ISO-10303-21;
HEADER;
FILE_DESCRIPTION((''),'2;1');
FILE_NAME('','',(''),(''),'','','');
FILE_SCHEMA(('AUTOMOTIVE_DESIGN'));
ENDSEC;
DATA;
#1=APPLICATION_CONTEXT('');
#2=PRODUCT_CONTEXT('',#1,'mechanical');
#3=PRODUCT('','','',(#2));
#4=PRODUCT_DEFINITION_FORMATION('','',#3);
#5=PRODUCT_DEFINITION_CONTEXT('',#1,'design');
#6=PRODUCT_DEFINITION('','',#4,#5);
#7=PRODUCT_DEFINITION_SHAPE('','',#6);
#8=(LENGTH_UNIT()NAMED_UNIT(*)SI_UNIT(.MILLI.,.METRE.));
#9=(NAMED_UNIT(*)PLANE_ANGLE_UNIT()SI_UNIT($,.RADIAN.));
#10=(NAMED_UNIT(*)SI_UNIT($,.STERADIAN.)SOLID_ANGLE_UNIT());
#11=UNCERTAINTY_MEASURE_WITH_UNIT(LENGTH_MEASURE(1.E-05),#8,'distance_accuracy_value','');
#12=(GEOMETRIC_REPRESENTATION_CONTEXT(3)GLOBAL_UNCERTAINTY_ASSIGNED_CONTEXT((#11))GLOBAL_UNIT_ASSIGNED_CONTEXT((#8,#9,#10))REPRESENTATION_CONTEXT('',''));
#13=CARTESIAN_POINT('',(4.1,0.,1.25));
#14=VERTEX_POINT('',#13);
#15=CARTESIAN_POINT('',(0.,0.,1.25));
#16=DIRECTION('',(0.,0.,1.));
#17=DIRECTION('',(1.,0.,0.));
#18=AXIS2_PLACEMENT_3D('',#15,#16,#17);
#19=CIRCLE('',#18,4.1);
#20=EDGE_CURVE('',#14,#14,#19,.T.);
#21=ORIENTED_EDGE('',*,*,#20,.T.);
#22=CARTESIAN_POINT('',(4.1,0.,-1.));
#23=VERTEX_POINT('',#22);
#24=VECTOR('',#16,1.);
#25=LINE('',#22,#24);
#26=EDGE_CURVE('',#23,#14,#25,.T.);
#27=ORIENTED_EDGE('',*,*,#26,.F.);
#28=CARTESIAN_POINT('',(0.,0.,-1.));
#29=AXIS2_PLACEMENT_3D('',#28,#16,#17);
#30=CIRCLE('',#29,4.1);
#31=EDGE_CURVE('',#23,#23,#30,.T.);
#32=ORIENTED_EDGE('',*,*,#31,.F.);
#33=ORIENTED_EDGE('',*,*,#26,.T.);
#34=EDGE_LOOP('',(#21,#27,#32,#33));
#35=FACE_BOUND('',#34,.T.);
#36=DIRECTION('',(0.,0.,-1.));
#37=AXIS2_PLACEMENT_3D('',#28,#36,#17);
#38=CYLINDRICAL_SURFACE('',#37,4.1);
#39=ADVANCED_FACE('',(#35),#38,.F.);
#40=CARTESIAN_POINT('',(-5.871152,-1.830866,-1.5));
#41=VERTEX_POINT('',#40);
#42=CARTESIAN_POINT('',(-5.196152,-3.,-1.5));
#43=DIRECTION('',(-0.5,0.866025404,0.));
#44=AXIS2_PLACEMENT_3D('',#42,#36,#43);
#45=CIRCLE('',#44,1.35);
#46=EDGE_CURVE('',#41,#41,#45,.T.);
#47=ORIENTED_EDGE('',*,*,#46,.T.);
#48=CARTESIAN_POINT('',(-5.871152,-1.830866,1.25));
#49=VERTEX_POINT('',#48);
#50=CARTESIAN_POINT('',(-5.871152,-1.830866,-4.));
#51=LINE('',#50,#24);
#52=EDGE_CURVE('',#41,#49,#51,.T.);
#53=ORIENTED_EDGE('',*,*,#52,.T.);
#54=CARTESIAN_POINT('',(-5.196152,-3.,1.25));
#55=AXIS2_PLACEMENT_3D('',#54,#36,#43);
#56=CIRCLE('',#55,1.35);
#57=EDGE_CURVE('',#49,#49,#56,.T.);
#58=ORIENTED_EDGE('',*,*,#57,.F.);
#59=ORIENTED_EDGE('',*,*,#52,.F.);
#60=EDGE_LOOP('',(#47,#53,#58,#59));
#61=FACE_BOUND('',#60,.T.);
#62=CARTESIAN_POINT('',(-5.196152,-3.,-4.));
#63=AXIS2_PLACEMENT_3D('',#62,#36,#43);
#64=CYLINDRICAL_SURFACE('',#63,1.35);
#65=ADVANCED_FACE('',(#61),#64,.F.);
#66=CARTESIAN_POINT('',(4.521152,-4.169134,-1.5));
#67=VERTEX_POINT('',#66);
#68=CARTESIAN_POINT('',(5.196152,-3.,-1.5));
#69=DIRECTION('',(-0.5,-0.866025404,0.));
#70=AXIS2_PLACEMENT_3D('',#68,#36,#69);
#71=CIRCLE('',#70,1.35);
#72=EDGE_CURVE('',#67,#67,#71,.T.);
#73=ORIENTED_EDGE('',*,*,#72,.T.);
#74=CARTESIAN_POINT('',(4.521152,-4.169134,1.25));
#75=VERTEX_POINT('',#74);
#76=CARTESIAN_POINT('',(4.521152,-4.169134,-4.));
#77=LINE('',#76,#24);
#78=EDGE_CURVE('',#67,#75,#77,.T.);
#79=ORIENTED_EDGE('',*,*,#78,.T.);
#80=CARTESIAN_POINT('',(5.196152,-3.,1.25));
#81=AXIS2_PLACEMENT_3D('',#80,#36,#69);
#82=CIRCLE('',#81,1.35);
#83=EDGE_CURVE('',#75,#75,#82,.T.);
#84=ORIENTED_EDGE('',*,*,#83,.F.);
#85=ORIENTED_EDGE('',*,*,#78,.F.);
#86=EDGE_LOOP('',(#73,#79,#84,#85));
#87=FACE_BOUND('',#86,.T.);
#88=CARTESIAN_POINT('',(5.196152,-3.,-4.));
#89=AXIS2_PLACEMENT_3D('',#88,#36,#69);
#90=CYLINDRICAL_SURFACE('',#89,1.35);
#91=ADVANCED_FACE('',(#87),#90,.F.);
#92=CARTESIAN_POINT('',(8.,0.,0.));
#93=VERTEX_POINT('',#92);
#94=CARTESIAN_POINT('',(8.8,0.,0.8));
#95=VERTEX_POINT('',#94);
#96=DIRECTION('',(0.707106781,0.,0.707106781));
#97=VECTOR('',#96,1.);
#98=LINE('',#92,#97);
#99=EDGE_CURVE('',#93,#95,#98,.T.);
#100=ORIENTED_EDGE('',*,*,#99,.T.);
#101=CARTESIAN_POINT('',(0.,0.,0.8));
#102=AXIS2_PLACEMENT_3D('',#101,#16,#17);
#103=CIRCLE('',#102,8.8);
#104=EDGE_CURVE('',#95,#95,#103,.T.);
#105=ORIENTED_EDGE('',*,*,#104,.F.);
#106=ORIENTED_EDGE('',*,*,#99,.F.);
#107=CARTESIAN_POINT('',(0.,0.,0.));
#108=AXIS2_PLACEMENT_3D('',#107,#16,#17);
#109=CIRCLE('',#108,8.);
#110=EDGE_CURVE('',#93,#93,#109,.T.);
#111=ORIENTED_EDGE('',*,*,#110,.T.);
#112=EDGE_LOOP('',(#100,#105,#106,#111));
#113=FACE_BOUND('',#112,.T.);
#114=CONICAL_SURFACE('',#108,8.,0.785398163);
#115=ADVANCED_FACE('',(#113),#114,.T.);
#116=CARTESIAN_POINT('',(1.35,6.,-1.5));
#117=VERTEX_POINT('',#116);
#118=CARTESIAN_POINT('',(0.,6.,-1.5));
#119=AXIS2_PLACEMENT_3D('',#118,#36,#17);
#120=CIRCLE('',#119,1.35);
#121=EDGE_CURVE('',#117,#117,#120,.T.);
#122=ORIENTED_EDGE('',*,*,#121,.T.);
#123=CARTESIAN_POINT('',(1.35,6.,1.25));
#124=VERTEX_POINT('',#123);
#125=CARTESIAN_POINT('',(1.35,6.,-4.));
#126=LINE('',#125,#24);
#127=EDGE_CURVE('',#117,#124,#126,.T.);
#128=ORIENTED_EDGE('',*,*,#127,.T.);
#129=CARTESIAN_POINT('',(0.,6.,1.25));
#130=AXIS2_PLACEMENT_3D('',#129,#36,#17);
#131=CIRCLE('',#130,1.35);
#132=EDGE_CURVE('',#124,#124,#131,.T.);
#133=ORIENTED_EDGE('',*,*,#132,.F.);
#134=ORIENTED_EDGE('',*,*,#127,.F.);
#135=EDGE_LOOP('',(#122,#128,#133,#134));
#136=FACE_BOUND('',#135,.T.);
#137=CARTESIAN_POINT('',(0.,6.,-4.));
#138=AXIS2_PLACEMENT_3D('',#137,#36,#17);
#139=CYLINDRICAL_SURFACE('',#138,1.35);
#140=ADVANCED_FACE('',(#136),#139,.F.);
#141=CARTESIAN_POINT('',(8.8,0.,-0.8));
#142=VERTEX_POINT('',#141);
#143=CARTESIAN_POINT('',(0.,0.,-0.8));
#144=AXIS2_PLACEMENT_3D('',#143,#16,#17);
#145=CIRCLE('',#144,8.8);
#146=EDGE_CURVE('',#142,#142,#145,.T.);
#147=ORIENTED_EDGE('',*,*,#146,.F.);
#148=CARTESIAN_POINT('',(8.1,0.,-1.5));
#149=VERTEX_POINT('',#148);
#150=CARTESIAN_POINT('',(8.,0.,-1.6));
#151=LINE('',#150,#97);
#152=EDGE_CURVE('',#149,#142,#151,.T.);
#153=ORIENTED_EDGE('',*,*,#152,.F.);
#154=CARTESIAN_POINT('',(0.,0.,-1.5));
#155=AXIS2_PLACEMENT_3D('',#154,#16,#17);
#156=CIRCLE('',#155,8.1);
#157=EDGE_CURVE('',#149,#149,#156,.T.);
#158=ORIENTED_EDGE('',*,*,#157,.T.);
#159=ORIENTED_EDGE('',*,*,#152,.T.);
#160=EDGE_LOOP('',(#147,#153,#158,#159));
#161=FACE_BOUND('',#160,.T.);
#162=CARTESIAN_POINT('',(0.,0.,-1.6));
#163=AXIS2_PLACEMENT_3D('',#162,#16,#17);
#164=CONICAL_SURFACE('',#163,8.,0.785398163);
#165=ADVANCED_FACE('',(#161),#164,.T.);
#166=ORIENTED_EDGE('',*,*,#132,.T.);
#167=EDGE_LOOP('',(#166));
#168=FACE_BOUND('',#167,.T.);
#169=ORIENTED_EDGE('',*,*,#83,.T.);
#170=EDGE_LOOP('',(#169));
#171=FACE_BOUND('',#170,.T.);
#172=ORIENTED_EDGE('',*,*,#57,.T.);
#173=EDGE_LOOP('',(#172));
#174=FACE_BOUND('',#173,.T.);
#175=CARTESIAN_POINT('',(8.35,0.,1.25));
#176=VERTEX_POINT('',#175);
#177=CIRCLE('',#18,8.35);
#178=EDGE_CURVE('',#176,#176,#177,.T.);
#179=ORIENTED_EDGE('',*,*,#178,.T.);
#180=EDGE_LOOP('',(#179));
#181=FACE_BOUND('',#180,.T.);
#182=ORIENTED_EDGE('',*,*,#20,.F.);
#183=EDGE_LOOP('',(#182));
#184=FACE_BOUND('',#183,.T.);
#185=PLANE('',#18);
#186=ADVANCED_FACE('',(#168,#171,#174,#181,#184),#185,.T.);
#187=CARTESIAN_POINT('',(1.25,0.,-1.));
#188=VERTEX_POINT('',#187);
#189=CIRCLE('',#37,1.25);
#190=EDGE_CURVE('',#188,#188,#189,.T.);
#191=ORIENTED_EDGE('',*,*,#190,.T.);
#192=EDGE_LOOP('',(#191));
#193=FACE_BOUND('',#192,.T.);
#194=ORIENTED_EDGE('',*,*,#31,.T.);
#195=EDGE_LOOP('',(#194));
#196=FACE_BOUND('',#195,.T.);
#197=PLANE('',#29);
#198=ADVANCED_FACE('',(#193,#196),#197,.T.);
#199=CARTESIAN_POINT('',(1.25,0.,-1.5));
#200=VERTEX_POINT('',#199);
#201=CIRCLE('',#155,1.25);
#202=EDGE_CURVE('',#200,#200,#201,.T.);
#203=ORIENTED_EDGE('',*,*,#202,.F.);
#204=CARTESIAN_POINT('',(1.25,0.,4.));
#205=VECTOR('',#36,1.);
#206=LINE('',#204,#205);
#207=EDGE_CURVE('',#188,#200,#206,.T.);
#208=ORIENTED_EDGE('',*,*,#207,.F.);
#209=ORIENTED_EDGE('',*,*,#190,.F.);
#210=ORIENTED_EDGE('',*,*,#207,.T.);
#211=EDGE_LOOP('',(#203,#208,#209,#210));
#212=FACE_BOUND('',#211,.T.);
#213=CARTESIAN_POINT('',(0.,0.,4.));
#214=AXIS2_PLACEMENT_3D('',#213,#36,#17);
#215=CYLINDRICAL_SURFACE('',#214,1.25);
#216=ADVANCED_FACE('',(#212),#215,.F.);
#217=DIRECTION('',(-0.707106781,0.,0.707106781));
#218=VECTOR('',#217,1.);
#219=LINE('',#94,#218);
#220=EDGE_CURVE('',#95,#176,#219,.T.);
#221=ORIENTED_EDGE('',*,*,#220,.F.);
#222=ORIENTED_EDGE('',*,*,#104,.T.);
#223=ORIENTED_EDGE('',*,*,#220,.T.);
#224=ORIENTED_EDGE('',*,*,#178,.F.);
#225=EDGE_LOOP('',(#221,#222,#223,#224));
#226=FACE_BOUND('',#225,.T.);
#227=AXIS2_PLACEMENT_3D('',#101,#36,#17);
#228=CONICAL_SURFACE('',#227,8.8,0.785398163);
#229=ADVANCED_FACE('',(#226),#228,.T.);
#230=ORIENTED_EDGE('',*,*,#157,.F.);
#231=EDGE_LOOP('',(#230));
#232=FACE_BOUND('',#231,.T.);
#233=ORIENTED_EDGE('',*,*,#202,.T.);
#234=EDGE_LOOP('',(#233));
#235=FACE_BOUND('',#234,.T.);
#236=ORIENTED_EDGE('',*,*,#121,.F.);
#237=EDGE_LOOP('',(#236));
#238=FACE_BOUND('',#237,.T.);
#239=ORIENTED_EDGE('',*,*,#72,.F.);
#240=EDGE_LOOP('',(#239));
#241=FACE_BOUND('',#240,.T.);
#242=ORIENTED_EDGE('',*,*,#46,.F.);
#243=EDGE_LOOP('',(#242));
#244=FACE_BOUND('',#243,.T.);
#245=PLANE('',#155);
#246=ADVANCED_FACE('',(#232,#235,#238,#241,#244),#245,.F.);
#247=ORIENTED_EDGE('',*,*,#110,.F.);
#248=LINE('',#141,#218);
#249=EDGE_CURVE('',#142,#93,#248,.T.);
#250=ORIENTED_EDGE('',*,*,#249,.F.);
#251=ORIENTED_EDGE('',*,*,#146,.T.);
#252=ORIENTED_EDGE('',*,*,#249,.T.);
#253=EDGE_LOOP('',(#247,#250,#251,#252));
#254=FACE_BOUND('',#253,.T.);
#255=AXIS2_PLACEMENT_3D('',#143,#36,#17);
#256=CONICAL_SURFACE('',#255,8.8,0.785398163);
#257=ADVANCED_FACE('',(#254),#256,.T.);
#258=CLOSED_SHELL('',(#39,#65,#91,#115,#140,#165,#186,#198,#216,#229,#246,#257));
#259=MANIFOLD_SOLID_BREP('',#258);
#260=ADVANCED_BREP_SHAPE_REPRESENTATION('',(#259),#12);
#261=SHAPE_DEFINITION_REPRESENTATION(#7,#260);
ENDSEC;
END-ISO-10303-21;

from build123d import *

# Parameters (mm, degrees)
CYLINDER002_R     = 20
CYLINDER002_DEPTH = 20
CYLINDER001_R     = 1.35
CYLINDER001_DEPTH = 10
ARRAY001_COUNT    = 3
CYLINDER_R        = 4.1
CYLINDER_DEPTH    = 2.25
SKETCH002_W       = 5
SKETCH002_H       = 4.7
ARRAY_Z_COUNT     = 6
ARRAY_Z_PITCH     = 1.6


with BuildPart() as clone_of_upperdomain:
    # Cylinder002 → Cylinder002 (new body)
    with BuildSketch(Plane.XY.offset(1.25)):
        Circle(CYLINDER002_R)
    extrude(amount=CYLINDER002_DEPTH)


with BuildPart() as dins913:
    # Cylinder001 → Cylinder001 (new body)
    with BuildSketch(Plane(origin=(0, 6, -4), x_dir=(1, 0, 0), z_dir=(0, 0, 1))):
        Circle(CYLINDER001_R)
    extrude(amount=CYLINDER001_DEPTH)

    # Array001: DINs913 ×3 about axis
    array001_axis = Axis((0, 0, 0), (0, 0, 1))


with BuildPart() as dins913_1:
    add(dins913.part)
    for i in range(1, ARRAY001_COUNT):
        add(dins913.part.rotate(array001_axis, i * 360 / ARRAY001_COUNT))


with BuildPart() as lensfit:
    # Cylinder → Cylinder (new body)
    with BuildSketch(Plane.XY.offset(-1)):
        Circle(CYLINDER_R)
    extrude(amount=CYLINDER_DEPTH)


with BuildPart() as innergroovedom001:
    # Sketch002 → Revolution002 (revolve)
    with BuildSketch(Plane.XZ):
        with Locations((7.5, 0.85)):
            Rectangle(SKETCH002_W, SKETCH002_H)
    revolve(axis=Axis((0, 0, 0), (0, 0, 1)))


with BuildPart() as innergroovetool:
    # Sketch001 → Revolution001 (revolve)
    with BuildSketch(Plane.XZ):
        Polygon((4, 3.2), (4, 1.6), (8, 1.6), (8.8, 2.4), (8, 3.2), align=None)
    revolve(axis=Axis((0, 0, 0), (0, 0, 1)))

    # Array Z: InnerGrooveTool ×6


with BuildPart() as innergroovetool_1:
    add(innergroovetool.part)
    with Locations(*[(0, 0, -i * ARRAY_Z_PITCH) for i in range(1, ARRAY_Z_COUNT)]):
        add(innergroovetool.part)

    # Common: intersect InnerGrooveDom001
    add(innergroovedom001.part, mode=Mode.INTERSECT)


with BuildPart() as adaptor:
    # Sketch → Revolution (revolve)
    with BuildSketch(Plane.XZ):
        Polygon((1.25, 4), (1.25, -1.5), (8, -1.5), (8, 3.2), (5, 3.2), (5, 4), align=None)
    revolve(axis=Axis((0, 0, 0), (0, 0, 1)))

    # Fusion001: union InnerGrooveTool
    add(innergroovetool_1.part)

    # Cut: cut LensFit
    add(lensfit.part, mode=Mode.SUBTRACT)

    # Cut001: cut DINs913
    add(dins913_1.part, mode=Mode.SUBTRACT)

    # Cut002: cut Clone of UpperDomain
    add(clone_of_upperdomain.part, mode=Mode.SUBTRACT)


solid = adaptor.part
